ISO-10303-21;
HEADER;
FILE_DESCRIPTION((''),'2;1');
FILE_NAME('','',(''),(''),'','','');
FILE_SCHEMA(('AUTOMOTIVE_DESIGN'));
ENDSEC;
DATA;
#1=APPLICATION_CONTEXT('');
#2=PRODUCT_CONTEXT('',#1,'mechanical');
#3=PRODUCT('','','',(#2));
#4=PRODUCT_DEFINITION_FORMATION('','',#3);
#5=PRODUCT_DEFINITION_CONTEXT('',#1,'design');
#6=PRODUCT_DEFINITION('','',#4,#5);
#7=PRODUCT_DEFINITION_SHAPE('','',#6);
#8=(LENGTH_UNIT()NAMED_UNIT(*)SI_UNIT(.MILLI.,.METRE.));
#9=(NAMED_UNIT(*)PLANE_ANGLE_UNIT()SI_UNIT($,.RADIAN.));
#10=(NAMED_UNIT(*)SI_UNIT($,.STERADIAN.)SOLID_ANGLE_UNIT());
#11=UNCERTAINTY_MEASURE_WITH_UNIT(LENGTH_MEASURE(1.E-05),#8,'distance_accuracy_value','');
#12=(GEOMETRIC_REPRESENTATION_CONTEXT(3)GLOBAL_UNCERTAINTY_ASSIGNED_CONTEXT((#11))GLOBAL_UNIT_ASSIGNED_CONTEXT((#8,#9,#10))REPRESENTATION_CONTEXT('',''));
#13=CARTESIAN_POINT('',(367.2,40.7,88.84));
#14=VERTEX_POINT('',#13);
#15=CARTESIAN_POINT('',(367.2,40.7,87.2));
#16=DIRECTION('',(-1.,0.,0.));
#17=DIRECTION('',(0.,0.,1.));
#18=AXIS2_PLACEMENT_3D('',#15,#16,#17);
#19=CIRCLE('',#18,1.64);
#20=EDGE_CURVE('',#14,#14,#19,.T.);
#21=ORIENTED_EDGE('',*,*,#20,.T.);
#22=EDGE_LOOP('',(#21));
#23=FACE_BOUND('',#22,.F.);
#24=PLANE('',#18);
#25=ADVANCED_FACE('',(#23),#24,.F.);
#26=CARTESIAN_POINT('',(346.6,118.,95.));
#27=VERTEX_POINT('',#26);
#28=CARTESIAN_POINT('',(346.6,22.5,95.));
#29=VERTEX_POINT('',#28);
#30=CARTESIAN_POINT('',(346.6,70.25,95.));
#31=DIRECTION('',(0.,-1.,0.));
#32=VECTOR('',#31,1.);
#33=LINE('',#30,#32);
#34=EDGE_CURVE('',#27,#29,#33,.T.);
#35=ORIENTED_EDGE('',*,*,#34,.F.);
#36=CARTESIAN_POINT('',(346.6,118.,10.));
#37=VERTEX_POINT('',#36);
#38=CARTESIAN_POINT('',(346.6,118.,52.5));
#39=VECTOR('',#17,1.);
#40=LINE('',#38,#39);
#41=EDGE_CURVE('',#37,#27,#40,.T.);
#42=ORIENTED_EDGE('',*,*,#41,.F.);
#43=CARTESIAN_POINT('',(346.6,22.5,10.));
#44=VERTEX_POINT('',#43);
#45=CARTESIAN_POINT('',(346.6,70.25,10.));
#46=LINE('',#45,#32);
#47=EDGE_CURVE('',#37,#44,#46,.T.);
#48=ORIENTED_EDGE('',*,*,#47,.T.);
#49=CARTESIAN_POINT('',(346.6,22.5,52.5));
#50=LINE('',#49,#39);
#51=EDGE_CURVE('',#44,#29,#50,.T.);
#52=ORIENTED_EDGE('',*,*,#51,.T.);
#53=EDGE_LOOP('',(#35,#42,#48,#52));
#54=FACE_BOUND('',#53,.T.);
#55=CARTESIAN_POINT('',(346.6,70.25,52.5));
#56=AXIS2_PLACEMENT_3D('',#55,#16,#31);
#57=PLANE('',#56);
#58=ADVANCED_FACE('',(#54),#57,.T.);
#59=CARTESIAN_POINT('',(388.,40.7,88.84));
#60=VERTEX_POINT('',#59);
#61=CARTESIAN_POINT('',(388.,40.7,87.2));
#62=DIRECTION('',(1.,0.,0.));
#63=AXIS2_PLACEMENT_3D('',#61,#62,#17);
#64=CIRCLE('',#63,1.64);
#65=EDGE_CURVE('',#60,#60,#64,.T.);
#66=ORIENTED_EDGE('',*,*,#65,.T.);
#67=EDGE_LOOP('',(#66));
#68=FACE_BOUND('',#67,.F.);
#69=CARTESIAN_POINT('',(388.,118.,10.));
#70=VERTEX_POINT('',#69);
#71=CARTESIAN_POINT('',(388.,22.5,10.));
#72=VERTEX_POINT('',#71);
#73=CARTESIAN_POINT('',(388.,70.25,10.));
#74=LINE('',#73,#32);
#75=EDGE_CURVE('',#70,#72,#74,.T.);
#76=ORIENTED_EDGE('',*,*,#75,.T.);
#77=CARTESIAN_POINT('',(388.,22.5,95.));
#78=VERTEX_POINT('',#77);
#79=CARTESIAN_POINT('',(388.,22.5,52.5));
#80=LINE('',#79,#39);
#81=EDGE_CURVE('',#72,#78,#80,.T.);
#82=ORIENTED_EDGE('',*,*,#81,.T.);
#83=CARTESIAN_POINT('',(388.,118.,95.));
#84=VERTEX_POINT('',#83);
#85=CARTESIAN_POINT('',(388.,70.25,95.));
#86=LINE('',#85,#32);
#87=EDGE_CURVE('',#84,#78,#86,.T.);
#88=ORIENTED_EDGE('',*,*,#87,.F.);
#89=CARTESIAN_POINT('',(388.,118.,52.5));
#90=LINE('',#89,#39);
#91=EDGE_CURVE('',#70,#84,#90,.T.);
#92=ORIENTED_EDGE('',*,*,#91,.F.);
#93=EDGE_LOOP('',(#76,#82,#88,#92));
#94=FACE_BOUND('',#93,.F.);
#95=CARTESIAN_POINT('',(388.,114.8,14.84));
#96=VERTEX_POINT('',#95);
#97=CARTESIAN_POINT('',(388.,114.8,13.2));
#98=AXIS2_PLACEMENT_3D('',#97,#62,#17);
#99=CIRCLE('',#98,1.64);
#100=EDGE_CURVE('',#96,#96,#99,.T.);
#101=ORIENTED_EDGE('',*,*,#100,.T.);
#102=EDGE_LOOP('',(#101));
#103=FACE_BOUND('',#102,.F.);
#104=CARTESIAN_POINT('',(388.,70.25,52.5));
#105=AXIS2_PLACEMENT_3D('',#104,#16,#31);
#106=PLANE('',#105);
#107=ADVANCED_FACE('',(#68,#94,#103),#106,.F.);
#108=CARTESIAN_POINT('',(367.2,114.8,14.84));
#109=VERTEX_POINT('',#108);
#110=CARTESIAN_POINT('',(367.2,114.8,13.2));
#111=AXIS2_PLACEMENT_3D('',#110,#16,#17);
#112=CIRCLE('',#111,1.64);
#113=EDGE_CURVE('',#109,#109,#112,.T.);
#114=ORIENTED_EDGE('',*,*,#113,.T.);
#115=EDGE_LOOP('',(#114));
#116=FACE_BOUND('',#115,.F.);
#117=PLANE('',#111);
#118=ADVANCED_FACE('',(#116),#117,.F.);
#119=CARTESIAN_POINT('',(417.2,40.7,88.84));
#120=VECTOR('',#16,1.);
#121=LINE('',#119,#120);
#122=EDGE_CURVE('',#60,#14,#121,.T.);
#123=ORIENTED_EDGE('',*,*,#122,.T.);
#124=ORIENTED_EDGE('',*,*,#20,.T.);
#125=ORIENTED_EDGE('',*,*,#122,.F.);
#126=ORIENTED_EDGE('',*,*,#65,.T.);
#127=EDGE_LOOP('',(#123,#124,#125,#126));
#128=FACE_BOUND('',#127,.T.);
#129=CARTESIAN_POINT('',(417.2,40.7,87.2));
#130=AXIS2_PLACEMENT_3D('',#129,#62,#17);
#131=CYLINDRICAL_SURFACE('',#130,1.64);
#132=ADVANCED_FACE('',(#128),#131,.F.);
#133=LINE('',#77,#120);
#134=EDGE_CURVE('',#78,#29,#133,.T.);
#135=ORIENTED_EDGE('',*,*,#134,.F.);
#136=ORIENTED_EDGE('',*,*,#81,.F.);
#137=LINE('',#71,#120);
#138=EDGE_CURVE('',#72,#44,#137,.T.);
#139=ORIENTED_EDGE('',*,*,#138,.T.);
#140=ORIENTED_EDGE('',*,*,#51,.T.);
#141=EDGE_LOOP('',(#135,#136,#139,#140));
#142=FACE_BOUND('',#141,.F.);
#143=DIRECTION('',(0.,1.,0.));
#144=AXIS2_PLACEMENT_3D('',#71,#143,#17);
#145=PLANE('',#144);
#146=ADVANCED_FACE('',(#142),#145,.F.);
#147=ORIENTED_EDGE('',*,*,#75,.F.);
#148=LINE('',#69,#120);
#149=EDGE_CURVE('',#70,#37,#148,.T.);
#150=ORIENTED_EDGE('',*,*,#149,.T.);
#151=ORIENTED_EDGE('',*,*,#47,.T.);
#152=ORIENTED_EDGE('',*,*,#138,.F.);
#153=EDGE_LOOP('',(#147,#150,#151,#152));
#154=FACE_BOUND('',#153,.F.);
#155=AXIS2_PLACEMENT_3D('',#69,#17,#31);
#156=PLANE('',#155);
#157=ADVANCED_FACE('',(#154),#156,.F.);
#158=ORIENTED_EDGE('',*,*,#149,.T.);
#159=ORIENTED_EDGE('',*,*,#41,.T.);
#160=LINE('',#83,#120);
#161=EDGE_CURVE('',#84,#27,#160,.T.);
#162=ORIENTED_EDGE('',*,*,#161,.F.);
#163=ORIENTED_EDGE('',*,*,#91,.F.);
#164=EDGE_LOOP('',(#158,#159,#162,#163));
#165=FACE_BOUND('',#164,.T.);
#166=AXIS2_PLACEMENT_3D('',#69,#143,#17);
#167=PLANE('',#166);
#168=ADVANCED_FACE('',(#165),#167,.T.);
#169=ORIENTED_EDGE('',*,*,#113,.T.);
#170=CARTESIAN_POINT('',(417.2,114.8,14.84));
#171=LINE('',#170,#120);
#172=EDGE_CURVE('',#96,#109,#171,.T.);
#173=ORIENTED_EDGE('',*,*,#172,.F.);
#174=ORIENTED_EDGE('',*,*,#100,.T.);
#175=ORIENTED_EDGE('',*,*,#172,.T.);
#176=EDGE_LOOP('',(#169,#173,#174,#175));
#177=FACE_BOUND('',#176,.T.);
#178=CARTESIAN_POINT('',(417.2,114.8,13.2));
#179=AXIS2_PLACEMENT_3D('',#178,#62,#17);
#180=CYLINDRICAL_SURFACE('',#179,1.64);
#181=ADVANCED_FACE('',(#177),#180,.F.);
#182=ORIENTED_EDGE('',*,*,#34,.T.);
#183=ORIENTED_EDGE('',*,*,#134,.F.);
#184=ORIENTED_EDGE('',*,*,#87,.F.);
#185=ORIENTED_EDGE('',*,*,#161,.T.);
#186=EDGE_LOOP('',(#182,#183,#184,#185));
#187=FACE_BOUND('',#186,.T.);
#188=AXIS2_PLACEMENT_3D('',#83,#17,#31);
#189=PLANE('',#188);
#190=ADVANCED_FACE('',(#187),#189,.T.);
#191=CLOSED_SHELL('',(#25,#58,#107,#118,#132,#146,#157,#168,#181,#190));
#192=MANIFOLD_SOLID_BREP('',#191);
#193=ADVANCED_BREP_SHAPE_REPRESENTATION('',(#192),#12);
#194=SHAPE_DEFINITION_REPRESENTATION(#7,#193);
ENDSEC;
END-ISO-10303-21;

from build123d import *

# Parameters (mm, degrees)
CYLINDER001_R     = 1.64
CYLINDER001_DEPTH = 50
CYLINDER_R        = 1.64
CYLINDER_DEPTH    = 50
BOX067_W          = 95.5
BOX067_H          = 85
BOX067_DEPTH      = 41.4


with BuildPart() as cylinder001:
    # Cylinder001 → Cylinder001 (new body)
    with BuildSketch(Plane(origin=(417.2, 114.8, 13.2), x_dir=(0, 0, 1), z_dir=(-1, 0, 0))):
        Circle(CYLINDER001_R)
    extrude(amount=CYLINDER001_DEPTH)


with BuildPart() as cylinder:
    # Cylinder → Cylinder (new body)
    with BuildSketch(Plane(origin=(417.2, 40.7, 87.2), x_dir=(0, 0, 1), z_dir=(-1, 0, 0))):
        Circle(CYLINDER_R)
    extrude(amount=CYLINDER_DEPTH)


with BuildPart() as cut002:
    # Box067 → Box067 (new body)
    with BuildSketch(Plane(origin=(388, 118, 10), x_dir=(0, -1, 0), z_dir=(-1, 0, 0))):
        with Locations((47.75, 42.5)):
            Rectangle(BOX067_W, BOX067_H)
    extrude(amount=BOX067_DEPTH)

    # Cut001: cut Cylinder
    add(cylinder.part, mode=Mode.SUBTRACT)

    # Cut002: cut Cylinder001
    add(cylinder001.part, mode=Mode.SUBTRACT)


solid = cut002.part
